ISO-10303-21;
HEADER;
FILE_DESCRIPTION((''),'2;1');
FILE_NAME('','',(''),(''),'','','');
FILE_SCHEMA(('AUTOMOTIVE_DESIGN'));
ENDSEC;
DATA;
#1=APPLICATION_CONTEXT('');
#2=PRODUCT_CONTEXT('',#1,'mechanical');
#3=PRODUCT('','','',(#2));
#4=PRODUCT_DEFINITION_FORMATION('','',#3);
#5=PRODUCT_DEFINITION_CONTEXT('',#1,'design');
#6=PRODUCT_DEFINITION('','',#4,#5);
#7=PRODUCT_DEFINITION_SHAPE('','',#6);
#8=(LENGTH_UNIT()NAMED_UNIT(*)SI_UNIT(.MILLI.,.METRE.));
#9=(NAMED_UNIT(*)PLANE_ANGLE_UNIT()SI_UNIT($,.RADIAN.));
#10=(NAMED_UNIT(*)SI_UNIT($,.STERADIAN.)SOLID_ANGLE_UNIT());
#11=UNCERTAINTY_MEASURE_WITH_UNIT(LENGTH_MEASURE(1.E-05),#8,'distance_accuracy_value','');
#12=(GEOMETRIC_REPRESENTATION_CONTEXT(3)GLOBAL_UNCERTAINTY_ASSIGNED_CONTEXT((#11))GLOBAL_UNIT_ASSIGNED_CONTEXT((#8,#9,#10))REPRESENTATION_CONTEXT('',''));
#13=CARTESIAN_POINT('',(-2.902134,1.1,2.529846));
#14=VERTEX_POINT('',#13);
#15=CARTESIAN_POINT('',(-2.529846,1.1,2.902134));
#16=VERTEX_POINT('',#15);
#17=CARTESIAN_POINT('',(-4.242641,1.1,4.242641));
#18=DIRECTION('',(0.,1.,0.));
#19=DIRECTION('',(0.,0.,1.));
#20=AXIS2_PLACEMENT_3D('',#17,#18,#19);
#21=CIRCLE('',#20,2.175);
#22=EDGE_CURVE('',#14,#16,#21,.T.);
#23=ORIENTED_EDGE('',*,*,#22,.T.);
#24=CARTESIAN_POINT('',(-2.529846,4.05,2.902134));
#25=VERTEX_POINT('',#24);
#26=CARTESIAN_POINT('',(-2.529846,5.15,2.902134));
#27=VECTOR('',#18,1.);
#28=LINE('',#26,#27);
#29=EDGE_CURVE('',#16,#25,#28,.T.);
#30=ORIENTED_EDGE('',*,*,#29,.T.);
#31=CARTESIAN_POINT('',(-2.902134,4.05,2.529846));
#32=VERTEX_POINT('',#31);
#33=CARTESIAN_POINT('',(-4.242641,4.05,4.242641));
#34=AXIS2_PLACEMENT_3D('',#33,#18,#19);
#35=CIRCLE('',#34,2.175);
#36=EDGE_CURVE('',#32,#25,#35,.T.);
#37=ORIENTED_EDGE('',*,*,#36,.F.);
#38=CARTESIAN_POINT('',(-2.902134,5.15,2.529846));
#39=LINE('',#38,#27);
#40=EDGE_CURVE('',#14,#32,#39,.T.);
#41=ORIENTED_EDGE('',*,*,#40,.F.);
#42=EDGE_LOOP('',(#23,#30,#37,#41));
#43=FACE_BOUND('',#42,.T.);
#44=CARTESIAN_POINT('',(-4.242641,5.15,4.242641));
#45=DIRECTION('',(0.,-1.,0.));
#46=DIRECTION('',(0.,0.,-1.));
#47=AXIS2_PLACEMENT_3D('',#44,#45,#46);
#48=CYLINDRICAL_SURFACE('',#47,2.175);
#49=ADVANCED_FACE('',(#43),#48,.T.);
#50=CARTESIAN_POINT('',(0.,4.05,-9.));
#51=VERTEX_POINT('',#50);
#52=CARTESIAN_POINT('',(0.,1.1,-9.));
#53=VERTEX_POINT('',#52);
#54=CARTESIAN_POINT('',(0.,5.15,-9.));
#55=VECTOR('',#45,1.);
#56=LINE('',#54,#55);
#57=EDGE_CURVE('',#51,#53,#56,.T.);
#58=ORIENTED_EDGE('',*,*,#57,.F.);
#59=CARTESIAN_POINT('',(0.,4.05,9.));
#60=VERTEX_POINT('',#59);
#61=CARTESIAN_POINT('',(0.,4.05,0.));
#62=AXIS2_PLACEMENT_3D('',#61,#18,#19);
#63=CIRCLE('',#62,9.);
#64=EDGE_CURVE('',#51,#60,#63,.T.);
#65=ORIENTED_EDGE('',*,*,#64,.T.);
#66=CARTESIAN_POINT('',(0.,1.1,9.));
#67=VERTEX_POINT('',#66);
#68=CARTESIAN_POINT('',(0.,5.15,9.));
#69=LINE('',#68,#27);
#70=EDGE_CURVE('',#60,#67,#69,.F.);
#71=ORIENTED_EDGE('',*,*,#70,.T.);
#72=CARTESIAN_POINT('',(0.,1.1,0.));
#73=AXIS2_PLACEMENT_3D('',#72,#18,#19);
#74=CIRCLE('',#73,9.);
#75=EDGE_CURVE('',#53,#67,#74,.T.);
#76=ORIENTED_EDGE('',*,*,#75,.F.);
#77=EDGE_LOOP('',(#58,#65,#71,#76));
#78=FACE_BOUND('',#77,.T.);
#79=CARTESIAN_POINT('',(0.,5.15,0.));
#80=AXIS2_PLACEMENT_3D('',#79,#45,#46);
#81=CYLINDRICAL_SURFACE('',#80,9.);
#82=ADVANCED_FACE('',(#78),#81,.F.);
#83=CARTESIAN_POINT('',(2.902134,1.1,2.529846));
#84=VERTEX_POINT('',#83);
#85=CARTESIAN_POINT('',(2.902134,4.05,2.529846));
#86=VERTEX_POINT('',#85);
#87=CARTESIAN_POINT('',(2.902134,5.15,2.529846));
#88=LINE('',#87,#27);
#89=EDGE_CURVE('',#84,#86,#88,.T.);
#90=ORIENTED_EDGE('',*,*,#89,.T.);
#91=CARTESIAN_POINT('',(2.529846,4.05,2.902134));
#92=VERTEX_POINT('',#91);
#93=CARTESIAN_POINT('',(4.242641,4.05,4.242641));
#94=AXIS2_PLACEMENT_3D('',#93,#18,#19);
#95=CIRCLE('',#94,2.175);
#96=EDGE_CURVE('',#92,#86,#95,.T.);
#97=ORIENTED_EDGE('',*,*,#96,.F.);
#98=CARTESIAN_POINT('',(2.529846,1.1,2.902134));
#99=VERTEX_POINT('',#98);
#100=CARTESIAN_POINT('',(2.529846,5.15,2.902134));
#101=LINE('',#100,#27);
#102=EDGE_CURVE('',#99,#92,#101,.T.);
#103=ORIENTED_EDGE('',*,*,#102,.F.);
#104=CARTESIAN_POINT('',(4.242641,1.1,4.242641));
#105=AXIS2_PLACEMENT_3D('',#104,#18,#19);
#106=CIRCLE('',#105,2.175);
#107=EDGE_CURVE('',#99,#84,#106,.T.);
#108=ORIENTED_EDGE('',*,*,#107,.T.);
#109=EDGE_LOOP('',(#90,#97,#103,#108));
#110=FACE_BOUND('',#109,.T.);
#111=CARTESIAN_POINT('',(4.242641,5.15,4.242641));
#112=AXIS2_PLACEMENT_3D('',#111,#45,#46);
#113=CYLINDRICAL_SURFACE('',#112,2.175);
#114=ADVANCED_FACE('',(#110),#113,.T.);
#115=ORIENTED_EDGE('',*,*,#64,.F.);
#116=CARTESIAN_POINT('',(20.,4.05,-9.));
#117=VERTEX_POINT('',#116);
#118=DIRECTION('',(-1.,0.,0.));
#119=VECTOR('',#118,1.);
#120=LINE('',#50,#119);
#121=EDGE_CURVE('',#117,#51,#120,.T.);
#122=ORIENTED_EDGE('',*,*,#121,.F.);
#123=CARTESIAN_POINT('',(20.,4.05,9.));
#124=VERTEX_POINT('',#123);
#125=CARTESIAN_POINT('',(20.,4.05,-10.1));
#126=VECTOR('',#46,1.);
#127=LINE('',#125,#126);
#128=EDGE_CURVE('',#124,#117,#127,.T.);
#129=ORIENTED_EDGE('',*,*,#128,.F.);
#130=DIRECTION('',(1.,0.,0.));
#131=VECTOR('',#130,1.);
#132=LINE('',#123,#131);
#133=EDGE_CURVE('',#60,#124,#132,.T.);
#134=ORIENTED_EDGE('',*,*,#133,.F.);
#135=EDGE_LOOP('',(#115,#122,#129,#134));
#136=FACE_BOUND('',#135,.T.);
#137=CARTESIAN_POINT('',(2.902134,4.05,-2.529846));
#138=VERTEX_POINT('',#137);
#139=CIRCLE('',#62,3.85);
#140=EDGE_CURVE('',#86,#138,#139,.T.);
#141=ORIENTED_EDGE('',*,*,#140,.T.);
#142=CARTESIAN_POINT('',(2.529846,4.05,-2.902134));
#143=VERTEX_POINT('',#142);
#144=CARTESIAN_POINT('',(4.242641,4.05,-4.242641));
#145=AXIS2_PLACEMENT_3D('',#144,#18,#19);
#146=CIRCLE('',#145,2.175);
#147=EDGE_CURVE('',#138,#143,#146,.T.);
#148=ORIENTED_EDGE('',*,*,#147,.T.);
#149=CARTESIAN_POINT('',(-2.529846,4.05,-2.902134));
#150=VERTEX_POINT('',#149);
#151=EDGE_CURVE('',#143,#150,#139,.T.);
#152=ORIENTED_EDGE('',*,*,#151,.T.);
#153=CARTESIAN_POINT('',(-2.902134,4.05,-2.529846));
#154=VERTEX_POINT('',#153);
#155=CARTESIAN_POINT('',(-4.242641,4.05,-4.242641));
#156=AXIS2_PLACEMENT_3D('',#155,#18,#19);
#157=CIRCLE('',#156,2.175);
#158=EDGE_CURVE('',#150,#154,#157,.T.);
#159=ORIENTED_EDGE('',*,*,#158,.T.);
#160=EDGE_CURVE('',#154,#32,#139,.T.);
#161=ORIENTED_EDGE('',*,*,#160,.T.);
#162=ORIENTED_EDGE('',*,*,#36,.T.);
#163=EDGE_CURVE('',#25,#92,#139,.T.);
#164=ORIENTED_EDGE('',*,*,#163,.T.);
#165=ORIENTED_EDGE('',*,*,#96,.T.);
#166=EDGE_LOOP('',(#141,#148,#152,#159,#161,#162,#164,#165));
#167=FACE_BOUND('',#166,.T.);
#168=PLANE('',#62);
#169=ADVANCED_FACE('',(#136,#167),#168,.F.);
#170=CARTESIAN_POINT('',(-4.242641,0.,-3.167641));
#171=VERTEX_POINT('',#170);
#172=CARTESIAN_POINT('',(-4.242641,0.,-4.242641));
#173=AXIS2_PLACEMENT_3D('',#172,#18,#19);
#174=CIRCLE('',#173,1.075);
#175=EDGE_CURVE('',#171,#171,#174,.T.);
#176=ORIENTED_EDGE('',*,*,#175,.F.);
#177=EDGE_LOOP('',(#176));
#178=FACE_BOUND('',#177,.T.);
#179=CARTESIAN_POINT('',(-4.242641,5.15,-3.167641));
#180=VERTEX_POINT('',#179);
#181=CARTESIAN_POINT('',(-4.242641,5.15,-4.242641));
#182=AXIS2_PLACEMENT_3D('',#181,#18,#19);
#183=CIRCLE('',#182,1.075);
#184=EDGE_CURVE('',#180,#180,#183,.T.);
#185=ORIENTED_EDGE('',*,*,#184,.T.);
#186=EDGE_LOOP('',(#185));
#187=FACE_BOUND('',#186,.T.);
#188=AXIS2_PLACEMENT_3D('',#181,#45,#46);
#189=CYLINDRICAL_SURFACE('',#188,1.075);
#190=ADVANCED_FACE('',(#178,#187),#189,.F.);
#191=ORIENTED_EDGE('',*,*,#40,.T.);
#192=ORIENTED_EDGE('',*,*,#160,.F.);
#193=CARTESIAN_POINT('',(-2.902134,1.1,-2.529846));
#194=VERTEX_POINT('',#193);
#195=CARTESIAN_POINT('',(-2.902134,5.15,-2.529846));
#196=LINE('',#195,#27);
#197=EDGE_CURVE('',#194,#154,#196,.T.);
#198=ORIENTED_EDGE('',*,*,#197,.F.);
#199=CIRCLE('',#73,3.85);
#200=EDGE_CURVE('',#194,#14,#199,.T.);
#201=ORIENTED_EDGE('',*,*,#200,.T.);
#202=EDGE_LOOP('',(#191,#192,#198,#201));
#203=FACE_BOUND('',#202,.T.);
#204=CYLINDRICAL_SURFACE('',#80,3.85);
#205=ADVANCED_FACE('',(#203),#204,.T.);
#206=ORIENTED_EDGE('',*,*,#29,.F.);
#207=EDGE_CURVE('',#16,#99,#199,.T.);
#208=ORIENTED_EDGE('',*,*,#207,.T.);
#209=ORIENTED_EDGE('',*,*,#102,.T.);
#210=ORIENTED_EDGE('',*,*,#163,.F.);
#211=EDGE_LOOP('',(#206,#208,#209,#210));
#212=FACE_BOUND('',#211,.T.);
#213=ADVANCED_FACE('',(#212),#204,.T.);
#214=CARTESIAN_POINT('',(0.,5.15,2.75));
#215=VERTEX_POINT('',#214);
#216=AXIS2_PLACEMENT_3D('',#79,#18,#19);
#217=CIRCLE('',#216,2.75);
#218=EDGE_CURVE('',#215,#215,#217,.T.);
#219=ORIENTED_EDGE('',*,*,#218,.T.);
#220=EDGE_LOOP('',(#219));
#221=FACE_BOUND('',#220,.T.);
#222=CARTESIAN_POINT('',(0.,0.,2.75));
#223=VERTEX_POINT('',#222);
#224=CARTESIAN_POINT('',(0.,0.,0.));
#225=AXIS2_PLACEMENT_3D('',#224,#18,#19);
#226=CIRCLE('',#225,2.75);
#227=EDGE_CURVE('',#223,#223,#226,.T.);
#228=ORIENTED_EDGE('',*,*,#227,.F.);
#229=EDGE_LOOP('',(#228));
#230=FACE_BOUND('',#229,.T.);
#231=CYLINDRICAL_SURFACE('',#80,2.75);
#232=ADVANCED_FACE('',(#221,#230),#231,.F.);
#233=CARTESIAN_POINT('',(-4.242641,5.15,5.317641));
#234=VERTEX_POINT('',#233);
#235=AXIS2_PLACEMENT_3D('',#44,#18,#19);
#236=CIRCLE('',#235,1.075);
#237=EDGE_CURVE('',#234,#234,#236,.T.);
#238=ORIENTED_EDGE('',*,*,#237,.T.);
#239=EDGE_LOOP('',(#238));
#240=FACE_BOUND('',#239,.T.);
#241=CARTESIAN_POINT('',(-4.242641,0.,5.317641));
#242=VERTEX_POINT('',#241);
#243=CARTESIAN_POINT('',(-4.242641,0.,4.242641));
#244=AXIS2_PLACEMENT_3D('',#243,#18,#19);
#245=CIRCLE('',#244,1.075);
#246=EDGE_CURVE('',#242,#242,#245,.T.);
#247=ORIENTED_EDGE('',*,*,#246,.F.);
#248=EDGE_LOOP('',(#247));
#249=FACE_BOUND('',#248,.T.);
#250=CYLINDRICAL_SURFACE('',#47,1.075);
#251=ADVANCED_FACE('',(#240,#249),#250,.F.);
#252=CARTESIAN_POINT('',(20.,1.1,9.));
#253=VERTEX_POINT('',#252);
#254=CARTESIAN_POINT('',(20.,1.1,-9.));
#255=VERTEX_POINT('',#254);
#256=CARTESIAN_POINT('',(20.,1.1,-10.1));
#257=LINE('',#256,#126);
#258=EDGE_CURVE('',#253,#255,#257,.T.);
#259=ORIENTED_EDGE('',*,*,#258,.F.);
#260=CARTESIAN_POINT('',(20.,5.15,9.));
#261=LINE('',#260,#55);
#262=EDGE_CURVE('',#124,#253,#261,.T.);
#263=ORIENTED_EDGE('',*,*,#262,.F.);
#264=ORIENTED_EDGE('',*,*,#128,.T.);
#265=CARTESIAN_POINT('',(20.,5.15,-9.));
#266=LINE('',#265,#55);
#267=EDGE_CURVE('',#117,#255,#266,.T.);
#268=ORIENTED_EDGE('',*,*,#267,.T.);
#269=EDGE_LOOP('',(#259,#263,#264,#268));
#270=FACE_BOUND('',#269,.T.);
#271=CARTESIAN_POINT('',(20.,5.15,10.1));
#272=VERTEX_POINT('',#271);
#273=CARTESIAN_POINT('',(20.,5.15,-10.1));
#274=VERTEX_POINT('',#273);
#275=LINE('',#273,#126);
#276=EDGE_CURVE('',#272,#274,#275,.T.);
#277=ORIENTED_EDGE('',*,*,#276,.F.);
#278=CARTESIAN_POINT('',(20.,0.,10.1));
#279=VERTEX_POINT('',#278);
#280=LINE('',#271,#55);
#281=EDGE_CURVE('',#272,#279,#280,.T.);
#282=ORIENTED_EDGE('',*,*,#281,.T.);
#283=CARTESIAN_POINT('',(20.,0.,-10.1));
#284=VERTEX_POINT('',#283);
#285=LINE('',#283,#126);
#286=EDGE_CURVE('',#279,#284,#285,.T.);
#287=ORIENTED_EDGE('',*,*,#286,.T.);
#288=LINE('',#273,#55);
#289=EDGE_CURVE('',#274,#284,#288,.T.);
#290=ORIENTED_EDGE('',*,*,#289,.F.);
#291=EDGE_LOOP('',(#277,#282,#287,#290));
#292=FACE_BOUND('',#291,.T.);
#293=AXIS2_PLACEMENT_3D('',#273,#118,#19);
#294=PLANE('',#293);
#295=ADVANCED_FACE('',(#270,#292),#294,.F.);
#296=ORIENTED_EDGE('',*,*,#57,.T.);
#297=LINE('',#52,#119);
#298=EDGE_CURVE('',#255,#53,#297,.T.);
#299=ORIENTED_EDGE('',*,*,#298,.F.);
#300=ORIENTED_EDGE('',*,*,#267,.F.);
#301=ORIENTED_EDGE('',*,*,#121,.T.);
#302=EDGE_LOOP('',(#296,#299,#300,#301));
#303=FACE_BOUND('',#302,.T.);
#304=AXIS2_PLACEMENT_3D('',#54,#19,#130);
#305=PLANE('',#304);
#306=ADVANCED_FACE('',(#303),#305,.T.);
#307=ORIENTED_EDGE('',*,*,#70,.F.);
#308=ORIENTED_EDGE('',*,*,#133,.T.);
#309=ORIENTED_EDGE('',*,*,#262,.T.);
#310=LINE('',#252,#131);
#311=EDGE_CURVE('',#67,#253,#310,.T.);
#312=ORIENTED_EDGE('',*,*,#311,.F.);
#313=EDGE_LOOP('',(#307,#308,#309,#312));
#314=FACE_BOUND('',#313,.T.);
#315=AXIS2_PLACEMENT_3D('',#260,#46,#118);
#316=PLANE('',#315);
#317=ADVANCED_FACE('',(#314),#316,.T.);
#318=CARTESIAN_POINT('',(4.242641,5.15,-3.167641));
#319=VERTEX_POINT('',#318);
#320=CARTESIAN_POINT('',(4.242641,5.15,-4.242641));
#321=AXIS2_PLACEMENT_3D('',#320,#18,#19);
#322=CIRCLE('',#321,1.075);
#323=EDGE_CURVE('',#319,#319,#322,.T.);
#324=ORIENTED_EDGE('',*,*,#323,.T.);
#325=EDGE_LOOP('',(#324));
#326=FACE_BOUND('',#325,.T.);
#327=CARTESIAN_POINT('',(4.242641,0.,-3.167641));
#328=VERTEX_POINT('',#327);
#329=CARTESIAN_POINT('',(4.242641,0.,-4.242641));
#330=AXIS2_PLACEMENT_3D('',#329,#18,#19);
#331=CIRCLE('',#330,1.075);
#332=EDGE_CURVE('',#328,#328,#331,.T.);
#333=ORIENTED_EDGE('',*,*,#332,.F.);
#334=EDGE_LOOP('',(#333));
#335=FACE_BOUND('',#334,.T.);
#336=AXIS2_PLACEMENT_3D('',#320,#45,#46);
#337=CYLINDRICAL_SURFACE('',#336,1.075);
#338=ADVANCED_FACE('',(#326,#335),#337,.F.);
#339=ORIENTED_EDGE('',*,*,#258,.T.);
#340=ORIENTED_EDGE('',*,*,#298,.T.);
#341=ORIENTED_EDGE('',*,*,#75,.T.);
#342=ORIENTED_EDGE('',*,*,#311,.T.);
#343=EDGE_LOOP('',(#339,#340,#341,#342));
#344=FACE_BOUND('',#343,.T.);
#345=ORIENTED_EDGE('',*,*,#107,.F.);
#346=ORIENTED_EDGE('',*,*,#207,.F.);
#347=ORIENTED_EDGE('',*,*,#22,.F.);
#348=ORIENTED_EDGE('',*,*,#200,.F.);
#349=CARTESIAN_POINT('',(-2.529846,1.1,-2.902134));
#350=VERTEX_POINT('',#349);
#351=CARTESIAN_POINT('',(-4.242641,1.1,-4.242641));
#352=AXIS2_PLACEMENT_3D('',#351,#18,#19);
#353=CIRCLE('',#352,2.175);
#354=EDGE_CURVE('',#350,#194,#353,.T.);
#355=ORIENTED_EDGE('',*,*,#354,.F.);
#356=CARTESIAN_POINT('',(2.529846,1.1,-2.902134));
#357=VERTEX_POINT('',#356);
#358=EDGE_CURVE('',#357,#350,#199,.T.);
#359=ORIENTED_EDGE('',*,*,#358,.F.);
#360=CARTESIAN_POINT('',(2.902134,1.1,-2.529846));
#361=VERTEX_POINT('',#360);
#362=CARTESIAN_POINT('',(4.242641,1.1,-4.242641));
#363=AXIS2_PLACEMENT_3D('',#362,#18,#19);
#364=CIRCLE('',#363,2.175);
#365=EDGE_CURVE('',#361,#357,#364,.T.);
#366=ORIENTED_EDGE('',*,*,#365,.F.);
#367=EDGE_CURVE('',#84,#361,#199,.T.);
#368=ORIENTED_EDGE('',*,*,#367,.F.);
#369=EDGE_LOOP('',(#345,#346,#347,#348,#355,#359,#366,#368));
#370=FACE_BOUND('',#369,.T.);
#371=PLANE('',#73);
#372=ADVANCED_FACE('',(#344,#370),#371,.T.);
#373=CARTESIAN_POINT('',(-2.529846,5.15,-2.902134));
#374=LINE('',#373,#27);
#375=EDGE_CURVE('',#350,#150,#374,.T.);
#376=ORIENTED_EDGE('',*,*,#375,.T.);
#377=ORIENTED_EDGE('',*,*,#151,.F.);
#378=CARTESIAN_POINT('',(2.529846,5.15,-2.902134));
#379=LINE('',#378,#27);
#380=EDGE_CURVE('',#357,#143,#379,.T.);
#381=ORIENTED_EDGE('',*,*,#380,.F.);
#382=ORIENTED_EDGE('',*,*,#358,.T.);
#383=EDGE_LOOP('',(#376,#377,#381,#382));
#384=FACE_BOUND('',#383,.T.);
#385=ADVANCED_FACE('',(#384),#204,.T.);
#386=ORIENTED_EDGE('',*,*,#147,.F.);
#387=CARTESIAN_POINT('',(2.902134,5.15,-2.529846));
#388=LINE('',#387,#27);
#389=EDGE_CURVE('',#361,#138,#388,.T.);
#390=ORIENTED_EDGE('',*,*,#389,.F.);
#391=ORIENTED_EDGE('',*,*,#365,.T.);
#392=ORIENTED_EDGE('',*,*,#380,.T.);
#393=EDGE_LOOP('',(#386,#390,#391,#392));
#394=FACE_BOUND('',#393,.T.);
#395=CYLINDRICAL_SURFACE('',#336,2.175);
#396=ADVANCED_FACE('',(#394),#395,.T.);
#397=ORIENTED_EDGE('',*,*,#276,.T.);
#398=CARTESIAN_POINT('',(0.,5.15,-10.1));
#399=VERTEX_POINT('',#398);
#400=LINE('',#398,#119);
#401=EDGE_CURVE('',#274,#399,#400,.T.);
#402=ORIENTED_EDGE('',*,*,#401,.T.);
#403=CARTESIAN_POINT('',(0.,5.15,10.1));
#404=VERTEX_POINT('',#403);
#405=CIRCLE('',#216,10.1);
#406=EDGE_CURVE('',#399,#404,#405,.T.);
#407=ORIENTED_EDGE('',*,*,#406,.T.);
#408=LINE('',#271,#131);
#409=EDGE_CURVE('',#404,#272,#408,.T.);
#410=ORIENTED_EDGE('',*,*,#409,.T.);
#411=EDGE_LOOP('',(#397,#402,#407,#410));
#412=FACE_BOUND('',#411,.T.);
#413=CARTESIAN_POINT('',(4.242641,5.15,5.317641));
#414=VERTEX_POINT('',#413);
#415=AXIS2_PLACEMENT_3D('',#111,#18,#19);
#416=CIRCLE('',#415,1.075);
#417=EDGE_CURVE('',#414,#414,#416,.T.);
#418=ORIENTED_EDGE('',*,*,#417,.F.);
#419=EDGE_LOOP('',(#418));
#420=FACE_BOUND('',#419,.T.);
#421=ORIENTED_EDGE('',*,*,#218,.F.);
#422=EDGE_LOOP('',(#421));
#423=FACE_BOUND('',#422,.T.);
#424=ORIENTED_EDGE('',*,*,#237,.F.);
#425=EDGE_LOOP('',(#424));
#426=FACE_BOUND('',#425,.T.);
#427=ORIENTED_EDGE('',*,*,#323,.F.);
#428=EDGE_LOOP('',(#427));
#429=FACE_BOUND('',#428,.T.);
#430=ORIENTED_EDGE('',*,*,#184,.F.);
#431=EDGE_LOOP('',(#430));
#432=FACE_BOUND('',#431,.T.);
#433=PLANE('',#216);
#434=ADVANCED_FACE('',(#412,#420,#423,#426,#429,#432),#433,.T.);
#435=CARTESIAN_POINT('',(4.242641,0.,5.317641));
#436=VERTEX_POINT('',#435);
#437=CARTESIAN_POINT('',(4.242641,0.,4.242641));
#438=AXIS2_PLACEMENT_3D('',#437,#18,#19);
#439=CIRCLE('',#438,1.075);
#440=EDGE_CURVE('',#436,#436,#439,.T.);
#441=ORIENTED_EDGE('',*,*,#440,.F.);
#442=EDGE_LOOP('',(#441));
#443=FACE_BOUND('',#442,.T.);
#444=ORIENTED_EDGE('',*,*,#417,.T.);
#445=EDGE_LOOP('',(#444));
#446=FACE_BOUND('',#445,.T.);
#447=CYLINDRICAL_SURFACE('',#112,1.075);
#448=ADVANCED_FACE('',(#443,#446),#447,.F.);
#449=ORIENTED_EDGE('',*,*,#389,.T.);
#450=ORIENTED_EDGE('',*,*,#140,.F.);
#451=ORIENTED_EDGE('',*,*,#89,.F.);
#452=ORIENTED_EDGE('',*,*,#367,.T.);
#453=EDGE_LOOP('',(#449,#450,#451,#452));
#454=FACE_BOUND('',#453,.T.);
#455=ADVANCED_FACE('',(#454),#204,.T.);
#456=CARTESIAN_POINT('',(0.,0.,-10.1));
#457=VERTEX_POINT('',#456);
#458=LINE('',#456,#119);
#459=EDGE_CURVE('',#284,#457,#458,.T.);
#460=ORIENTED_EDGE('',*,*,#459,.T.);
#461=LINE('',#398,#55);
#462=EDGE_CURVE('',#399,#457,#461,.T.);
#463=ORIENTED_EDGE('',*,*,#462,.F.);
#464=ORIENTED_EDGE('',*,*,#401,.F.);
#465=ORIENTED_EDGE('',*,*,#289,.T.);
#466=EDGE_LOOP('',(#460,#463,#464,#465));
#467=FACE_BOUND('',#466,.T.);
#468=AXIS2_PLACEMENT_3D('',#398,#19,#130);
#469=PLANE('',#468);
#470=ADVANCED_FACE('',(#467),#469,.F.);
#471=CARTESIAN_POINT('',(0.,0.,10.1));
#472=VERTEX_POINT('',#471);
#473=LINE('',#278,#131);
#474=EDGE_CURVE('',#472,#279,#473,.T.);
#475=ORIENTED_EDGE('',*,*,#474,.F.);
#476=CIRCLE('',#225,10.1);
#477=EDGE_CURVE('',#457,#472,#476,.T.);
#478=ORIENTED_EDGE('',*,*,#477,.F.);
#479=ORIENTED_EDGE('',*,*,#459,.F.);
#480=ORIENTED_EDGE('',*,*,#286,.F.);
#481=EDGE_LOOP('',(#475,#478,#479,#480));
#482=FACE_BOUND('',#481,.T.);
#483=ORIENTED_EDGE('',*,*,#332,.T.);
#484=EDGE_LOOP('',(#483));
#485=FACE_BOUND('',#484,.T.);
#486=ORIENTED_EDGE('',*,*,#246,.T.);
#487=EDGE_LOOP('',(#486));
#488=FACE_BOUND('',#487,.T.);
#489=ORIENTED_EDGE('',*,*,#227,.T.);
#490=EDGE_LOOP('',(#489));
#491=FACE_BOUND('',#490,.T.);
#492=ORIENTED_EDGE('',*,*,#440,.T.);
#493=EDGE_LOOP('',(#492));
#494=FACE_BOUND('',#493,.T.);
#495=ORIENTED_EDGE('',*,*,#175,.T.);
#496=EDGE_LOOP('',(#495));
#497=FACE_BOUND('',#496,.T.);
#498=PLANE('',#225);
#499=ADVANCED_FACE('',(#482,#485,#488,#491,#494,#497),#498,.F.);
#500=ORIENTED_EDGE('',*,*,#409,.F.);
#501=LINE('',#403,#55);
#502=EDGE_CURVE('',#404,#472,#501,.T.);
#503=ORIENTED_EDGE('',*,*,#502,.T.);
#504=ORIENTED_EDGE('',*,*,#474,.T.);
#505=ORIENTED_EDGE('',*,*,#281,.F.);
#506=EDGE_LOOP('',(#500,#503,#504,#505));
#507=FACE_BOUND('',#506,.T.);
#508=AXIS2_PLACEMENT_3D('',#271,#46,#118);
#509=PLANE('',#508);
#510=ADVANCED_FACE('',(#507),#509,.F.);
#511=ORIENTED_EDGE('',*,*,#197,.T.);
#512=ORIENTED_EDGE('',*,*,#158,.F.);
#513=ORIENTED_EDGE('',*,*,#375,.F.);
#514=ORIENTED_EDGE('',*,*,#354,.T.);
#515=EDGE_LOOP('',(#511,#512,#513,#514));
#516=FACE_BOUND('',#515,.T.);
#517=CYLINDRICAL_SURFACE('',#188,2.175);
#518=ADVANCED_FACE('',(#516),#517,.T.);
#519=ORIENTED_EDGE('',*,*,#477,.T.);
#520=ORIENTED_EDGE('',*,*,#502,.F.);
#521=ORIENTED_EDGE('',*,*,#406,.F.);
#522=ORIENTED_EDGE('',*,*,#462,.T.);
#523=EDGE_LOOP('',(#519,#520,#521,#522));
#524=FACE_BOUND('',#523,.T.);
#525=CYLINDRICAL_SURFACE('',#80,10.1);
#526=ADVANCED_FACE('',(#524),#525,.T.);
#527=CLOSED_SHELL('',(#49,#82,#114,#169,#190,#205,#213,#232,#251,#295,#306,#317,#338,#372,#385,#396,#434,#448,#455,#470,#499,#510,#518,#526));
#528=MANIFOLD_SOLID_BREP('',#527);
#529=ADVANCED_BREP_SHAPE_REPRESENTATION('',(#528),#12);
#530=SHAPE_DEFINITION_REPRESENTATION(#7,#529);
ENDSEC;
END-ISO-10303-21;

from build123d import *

# Parameters (mm, degrees)
SKETCH2_R           = 1.075
SKETCH2_R_2         = 2.75
BOSS_EXTRUDE1_DEPTH = 5.15
SHELL1_T            = -1.1


with BuildPart() as part:
    # Sketch2 → Boss-Extrude1 (new body)
    with BuildSketch(Plane(origin=(0, 0, 0), x_dir=(1, 0, 0), z_dir=(0, 1, 0))):
        with BuildLine():
            Line((0, 10.1), (20, 10.1))
            Line((20, 10.1), (20, -10.1))
            Line((20, -10.1), (0, -10.1))
            ThreePointArc((0, -10.1), (-10.1, 0), (0, 10.1))
        make_face()
        with Locations((-4.242640687, 4.242640687)):
            Circle(SKETCH2_R, mode=Mode.SUBTRACT)
        with Locations((4.242640687, 4.242640687)):
            Circle(SKETCH2_R, mode=Mode.SUBTRACT)
        with Locations((-4.242640687, -4.242640687)):
            Circle(SKETCH2_R, mode=Mode.SUBTRACT)
        with Locations((4.242640687, -4.242640687)):
            Circle(SKETCH2_R, mode=Mode.SUBTRACT)
        Circle(SKETCH2_R_2, mode=Mode.SUBTRACT)
    extrude(amount=BOSS_EXTRUDE1_DEPTH)

    # Shell1
    shell1_openings = [part.faces().sort_by_distance(p)[0] for p in [
        (20, 2.575, 0),
    ]]
    offset(amount=SHELL1_T, openings=shell1_openings)


solid = part.part
